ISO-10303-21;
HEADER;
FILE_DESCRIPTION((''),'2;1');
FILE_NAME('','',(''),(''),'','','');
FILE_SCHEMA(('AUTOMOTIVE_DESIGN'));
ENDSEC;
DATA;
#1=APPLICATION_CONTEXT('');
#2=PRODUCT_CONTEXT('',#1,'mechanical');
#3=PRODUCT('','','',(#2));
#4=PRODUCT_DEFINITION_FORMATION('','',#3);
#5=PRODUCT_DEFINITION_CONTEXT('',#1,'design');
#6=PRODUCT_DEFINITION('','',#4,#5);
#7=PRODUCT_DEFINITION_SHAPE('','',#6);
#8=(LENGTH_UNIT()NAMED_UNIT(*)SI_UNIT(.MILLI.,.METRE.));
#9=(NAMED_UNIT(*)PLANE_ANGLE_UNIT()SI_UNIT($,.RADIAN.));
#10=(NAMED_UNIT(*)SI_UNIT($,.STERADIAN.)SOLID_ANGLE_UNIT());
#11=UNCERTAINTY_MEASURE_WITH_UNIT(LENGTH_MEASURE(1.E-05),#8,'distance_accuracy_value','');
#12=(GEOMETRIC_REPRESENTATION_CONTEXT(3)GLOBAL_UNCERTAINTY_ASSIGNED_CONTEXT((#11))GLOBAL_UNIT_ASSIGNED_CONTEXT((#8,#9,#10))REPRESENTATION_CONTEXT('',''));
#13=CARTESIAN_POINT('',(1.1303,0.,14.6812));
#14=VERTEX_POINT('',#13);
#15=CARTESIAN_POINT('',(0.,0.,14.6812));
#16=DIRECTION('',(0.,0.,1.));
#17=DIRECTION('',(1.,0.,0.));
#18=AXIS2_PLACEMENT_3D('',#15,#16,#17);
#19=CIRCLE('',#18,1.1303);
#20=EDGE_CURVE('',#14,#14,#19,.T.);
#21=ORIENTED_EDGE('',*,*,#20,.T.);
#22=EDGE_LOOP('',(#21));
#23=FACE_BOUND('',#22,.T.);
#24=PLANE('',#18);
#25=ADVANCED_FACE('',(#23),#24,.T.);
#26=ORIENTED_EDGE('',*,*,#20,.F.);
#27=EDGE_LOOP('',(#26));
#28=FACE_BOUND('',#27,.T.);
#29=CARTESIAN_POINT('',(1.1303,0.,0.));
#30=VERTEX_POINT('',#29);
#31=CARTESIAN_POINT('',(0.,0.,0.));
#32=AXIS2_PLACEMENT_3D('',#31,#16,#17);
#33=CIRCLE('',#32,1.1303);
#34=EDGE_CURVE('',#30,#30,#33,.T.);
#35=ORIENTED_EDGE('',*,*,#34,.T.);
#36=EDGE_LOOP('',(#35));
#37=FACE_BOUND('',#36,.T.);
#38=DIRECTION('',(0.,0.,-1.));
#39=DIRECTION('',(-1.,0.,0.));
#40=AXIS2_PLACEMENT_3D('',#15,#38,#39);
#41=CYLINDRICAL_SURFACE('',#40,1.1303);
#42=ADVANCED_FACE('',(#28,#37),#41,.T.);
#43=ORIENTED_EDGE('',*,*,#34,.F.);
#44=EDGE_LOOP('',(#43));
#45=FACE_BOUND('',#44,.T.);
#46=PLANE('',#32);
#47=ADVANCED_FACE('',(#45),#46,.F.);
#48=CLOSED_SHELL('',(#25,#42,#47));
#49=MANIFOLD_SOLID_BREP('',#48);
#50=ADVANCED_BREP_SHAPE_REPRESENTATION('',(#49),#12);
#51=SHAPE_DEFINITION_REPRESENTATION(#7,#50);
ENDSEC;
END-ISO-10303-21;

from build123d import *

# Parameters (mm, degrees)
SKETCH2_R      = 1.1303
EXTRUDE1_DEPTH = 14.6812


with BuildPart() as part:
    # Sketch2 → Extrude1 (new body)
    with BuildSketch(Plane.XY):
        Circle(SKETCH2_R)
    extrude(amount=EXTRUDE1_DEPTH)


solid = part.part
